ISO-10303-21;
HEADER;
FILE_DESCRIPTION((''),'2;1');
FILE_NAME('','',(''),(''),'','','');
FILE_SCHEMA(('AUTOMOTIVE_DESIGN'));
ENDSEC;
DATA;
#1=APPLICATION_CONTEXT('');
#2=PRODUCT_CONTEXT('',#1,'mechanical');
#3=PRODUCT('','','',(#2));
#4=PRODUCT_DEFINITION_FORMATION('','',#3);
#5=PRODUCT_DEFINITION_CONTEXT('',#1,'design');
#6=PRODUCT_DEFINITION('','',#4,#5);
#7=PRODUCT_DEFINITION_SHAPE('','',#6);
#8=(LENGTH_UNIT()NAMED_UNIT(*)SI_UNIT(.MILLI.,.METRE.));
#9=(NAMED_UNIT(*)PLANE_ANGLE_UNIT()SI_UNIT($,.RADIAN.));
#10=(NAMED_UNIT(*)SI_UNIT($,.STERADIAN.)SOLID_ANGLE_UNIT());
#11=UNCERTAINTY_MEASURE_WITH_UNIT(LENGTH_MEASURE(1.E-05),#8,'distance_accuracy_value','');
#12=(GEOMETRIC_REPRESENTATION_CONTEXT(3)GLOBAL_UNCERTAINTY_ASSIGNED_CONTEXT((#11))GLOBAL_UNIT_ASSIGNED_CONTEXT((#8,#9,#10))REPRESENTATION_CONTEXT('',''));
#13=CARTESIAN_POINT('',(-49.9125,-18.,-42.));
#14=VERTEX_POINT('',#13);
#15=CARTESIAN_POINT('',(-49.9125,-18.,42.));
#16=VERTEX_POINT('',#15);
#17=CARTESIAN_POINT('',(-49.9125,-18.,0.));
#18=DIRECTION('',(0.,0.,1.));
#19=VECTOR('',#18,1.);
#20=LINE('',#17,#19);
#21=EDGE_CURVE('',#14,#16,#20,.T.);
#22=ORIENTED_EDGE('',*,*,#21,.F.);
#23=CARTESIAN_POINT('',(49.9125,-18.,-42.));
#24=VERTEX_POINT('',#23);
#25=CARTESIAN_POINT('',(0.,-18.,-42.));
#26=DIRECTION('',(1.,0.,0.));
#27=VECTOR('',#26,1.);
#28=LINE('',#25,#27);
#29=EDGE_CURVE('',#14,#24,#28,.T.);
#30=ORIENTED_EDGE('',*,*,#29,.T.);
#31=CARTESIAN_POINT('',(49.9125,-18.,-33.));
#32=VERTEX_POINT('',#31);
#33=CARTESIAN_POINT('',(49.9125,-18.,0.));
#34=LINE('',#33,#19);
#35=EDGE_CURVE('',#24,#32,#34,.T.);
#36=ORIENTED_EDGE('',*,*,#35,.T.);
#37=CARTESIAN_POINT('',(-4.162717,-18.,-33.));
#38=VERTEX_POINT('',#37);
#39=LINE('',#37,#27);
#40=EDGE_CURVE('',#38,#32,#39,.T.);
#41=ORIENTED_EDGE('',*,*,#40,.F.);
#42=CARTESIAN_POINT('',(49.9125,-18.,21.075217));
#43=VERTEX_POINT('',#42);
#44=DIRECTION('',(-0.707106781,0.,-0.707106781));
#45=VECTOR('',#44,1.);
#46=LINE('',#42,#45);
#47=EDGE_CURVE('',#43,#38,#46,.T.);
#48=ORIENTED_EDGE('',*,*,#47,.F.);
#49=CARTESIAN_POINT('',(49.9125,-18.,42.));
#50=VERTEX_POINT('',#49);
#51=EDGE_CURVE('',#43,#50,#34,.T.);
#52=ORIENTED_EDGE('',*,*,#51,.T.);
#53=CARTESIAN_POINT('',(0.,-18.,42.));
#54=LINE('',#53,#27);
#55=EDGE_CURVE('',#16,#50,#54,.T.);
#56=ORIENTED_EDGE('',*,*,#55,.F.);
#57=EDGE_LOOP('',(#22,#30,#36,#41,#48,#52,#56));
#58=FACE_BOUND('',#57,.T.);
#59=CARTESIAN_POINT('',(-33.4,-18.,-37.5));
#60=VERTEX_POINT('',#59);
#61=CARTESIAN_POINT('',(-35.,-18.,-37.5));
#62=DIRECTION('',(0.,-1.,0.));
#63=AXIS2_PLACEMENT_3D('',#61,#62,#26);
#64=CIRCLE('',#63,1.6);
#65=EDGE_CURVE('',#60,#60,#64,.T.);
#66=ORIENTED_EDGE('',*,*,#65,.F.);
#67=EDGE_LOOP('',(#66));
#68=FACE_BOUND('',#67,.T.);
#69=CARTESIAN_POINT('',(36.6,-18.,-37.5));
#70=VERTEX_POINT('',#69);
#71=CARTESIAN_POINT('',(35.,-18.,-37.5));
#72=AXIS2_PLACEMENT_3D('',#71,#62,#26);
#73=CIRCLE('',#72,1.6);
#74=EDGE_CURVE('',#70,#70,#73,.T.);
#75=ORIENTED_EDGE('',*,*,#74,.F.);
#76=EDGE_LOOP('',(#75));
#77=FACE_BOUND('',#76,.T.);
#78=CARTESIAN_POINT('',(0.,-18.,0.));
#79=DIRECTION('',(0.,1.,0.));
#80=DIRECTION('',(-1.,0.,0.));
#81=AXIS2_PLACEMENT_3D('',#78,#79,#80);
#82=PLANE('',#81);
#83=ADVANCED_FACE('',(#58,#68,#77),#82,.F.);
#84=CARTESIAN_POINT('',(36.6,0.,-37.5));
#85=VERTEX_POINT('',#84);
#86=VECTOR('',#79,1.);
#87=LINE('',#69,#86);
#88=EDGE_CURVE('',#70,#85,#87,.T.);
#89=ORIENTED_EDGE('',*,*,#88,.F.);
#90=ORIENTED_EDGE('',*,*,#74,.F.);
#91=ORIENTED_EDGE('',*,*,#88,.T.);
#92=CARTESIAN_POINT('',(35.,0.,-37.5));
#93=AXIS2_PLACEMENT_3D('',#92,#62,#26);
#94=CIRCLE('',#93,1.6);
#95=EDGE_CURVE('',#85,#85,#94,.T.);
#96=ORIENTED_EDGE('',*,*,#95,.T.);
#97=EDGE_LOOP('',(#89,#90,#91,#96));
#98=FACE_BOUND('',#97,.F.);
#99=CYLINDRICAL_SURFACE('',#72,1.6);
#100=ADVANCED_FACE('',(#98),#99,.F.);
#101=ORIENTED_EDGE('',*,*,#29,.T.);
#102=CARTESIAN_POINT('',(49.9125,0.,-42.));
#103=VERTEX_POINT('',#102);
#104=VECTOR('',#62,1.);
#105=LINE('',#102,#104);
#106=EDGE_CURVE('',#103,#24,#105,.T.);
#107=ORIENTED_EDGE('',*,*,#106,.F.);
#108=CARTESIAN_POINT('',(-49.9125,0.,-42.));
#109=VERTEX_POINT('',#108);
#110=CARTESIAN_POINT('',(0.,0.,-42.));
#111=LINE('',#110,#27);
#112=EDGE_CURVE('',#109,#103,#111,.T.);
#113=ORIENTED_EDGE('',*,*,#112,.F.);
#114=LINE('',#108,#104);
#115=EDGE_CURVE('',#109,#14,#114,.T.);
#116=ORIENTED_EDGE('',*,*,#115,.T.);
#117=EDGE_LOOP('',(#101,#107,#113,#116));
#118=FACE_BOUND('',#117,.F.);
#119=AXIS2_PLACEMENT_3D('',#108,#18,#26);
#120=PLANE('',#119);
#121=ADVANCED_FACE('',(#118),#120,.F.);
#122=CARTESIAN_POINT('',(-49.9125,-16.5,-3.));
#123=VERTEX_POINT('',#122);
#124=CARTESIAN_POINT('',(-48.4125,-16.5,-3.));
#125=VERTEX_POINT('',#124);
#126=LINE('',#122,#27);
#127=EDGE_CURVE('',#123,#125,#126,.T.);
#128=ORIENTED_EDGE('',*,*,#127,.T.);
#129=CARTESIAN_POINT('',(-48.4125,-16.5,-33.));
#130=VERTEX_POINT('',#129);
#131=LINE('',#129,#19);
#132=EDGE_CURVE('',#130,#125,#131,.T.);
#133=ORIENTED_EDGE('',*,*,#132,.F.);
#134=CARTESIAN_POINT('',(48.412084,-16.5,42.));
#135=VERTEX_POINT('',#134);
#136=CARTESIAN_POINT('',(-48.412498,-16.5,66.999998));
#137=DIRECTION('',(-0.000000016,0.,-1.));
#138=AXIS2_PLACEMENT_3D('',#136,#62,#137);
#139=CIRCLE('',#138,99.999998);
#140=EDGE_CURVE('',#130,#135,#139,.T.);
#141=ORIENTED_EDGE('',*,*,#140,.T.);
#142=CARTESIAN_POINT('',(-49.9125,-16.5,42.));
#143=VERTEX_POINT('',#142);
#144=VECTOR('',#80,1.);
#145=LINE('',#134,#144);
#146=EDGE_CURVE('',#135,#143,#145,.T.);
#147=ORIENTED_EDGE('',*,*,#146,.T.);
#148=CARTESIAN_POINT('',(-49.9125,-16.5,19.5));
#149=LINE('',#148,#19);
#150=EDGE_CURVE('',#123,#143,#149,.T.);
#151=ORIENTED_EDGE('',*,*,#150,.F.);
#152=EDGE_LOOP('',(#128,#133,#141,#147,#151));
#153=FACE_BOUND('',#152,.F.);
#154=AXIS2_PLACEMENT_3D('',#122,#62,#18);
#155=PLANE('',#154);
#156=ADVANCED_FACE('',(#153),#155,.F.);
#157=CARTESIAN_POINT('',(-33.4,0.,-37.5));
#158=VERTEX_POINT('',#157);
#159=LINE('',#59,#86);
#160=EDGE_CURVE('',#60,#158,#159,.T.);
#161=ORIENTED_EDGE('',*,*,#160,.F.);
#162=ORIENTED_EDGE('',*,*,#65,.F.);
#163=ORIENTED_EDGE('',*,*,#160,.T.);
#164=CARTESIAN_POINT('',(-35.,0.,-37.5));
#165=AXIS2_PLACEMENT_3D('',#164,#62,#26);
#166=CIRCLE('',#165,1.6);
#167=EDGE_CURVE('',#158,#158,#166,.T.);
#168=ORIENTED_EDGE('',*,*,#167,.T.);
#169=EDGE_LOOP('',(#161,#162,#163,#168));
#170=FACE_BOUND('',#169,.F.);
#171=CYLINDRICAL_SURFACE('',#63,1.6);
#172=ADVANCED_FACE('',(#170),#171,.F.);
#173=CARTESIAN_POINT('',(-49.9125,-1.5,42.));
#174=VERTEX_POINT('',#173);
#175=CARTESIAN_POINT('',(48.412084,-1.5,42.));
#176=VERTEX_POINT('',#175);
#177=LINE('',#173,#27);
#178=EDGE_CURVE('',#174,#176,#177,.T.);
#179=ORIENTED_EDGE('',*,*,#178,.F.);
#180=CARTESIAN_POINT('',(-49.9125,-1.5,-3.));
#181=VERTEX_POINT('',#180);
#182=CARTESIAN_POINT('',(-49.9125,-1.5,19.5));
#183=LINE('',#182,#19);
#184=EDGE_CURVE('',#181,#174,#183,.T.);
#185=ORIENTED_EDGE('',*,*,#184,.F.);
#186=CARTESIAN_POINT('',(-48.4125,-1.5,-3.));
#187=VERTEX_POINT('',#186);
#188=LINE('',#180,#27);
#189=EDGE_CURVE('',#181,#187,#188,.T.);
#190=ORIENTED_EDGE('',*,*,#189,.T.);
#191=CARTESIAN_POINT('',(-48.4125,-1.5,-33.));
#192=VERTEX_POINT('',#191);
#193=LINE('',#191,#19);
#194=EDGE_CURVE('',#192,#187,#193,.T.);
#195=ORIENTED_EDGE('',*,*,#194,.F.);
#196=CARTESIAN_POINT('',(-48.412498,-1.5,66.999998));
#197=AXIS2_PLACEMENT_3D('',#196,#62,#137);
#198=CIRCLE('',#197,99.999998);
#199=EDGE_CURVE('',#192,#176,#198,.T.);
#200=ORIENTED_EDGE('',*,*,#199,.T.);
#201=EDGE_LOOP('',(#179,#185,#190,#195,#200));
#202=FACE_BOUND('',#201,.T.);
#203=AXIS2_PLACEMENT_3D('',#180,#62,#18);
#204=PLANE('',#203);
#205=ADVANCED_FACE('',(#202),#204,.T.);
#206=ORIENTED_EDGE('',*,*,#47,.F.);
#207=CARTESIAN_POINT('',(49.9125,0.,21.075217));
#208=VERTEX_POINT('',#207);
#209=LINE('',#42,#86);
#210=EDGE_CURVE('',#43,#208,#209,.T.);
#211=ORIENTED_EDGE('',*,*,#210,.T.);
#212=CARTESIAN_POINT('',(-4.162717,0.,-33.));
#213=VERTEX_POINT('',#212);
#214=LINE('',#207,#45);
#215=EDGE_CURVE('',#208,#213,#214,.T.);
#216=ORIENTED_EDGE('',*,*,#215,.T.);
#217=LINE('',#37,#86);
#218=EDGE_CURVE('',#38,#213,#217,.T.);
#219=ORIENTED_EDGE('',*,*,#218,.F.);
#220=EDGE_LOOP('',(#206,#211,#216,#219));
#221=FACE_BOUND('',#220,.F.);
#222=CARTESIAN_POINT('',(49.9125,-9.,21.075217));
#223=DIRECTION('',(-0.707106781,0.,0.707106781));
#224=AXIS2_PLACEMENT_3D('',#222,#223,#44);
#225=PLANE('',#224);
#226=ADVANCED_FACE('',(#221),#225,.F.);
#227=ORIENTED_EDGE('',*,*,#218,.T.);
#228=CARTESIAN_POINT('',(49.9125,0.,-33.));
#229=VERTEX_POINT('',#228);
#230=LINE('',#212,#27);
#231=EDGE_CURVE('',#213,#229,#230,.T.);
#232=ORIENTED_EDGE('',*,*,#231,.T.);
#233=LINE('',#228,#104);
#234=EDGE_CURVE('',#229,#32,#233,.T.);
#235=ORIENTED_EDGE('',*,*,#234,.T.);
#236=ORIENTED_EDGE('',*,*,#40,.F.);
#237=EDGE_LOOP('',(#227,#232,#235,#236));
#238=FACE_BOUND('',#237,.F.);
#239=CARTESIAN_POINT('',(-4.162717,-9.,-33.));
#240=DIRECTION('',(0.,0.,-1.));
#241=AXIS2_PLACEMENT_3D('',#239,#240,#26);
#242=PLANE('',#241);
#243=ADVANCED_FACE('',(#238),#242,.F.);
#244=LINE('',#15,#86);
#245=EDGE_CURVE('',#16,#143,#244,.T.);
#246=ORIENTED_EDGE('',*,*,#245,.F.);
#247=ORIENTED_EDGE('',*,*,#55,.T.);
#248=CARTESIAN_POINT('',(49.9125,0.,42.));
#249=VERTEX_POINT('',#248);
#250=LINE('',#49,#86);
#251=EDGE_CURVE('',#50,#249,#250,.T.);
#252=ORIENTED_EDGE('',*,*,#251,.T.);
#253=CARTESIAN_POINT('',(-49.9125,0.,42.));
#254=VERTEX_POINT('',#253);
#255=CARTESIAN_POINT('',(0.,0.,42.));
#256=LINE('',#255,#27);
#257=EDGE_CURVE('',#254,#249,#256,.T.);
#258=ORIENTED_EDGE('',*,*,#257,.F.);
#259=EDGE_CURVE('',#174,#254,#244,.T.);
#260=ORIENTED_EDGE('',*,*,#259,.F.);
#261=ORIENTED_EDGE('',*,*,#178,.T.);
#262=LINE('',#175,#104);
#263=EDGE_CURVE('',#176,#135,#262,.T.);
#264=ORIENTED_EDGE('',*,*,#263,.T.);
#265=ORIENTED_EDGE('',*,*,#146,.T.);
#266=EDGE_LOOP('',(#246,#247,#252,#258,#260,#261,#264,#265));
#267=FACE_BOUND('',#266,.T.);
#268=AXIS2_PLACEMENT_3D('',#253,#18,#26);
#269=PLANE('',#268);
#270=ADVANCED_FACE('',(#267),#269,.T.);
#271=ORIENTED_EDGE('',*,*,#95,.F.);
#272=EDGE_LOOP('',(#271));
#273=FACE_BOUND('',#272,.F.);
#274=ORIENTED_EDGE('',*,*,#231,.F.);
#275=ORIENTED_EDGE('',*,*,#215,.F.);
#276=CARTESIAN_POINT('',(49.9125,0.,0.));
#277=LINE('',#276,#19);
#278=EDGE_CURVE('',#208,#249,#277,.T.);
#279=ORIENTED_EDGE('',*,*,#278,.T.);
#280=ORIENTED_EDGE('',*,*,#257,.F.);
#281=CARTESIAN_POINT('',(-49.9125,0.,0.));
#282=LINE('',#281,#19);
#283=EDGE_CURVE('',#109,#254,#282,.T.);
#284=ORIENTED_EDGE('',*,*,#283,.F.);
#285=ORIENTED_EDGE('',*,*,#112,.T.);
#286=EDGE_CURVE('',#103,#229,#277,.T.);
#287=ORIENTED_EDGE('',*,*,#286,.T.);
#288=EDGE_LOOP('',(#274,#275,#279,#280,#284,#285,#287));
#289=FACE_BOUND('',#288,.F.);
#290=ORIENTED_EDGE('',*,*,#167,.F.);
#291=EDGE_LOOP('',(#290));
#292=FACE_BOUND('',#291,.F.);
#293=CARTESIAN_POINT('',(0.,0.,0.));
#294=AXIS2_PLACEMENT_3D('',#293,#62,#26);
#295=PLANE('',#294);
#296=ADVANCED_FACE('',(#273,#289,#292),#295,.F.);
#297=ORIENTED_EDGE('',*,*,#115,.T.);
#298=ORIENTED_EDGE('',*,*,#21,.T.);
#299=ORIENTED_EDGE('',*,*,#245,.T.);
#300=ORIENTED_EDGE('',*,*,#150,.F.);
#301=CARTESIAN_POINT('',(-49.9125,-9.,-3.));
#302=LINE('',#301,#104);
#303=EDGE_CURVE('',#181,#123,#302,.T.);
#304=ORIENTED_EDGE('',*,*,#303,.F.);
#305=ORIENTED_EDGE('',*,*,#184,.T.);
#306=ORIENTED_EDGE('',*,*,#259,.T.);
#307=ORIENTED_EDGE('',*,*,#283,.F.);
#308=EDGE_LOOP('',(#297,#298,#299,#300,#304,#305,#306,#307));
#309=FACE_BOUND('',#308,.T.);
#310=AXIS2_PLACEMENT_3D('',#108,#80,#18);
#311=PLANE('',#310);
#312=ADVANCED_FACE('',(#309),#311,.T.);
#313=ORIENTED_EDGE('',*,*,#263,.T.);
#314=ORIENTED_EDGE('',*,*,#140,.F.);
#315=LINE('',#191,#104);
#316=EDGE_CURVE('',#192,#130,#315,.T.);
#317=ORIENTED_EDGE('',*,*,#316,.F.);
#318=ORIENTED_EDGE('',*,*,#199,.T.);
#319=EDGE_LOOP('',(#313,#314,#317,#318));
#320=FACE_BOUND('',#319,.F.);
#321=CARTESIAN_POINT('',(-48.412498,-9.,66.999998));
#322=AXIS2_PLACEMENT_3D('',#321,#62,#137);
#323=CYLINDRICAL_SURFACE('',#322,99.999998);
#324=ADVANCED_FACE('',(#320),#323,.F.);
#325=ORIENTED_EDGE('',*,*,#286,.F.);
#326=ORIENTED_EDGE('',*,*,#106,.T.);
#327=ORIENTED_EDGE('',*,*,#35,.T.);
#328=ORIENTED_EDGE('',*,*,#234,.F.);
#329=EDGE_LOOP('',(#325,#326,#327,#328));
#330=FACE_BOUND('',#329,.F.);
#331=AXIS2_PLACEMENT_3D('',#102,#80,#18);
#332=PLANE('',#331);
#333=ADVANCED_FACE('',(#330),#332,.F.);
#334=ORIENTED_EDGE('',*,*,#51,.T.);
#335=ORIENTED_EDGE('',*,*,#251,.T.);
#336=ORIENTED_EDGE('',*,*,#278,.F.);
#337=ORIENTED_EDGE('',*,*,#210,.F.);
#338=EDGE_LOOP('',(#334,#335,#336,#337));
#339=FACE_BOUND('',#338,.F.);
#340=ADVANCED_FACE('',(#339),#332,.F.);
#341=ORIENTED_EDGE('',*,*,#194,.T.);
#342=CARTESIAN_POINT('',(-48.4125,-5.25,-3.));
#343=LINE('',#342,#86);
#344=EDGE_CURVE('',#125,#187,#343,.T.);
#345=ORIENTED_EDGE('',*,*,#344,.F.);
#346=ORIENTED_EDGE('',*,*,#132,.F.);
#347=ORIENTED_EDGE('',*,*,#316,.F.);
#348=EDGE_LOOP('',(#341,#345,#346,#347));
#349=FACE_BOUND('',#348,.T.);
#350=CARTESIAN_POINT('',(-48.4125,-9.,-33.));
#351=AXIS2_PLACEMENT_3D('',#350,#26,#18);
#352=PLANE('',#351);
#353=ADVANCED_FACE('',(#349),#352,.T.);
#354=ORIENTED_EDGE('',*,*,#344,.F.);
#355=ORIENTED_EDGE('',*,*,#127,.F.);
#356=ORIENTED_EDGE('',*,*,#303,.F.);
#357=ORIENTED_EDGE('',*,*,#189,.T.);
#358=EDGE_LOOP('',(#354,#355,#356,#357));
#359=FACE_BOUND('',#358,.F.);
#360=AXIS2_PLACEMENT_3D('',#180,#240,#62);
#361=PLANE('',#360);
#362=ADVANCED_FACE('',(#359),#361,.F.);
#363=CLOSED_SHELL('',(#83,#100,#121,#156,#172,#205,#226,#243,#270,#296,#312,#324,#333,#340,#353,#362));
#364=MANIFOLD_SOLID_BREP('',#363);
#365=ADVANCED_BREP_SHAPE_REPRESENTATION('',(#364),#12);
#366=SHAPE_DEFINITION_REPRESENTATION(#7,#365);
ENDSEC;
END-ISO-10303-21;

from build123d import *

# Parameters (mm, degrees)
SKETCH_W        = 99.825
SKETCH_H        = 84
PAD_DEPTH       = 9
POCKET_DEPTH    = 7.5
POCKET001_DEPTH = 9
SKETCH003_R     = 1.6
POCKET002_DEPTH = 20
SKETCH006_W     = 15
SKETCH006_H     = 45
POCKET003_DEPTH = 5


with BuildPart() as pocket001:
    # Sketch → Pad (new body)
    with BuildSketch(Plane.XZ):
        Rectangle(SKETCH_W, SKETCH_H)
    extrude(amount=PAD_DEPTH)

    # Sketch001 → Pocket (cut)
    with BuildSketch(Plane.XZ.offset(9)):
        with BuildLine():
            Line((-48.4125, -33), (-48.4125, 42))
            Line((-48.4125, 42), (48.412084, 42))
            ThreePointArc((-48.4125, -33), (12.824744, -12.056942), (48.412084, 42))
        make_face()
    extrude(amount=-POCKET_DEPTH, mode=Mode.SUBTRACT)

    # Sketch002 → Pocket001 (cut)
    with BuildSketch(Plane.XZ.offset(9)):
        Polygon((-4.162717, -33), (49.9125, -33), (49.9125, 21.075217), align=None)
    extrude(amount=-POCKET001_DEPTH, mode=Mode.SUBTRACT)


with BuildPart() as pocket003:
    # Part__Mirroring: instance of Pocket001
    add(pocket001.part.mirror(Plane(origin=(0, 0, 0), x_dir=(1, 0, 0), z_dir=(0, 1, 0))))


with BuildPart() as pocket003_1:
    # Part__Mirroring placement: moved
    add(pocket003.part.moved(Location((0, -18, 0))))

    # Fusion: union Pocket001
    add(pocket001.part)

    # Sketch003 → Pocket002 (cut)
    with BuildSketch(Plane.XZ.offset(18)):
        with Locations((-35, -37.5)):
            Circle(SKETCH003_R)
        with Locations((35, -37.5)):
            Circle(SKETCH003_R)
    extrude(amount=-POCKET002_DEPTH, mode=Mode.SUBTRACT)

    # Sketch006 → Pocket003 (cut)
    with BuildSketch(Plane(origin=(-49.9125, 0, 0), x_dir=(0, -1, 0), z_dir=(-1, 0, 0))):
        with Locations((9, 19.5)):
            Rectangle(SKETCH006_W, SKETCH006_H)
    extrude(amount=-POCKET003_DEPTH, mode=Mode.SUBTRACT)


solid = pocket003_1.part
